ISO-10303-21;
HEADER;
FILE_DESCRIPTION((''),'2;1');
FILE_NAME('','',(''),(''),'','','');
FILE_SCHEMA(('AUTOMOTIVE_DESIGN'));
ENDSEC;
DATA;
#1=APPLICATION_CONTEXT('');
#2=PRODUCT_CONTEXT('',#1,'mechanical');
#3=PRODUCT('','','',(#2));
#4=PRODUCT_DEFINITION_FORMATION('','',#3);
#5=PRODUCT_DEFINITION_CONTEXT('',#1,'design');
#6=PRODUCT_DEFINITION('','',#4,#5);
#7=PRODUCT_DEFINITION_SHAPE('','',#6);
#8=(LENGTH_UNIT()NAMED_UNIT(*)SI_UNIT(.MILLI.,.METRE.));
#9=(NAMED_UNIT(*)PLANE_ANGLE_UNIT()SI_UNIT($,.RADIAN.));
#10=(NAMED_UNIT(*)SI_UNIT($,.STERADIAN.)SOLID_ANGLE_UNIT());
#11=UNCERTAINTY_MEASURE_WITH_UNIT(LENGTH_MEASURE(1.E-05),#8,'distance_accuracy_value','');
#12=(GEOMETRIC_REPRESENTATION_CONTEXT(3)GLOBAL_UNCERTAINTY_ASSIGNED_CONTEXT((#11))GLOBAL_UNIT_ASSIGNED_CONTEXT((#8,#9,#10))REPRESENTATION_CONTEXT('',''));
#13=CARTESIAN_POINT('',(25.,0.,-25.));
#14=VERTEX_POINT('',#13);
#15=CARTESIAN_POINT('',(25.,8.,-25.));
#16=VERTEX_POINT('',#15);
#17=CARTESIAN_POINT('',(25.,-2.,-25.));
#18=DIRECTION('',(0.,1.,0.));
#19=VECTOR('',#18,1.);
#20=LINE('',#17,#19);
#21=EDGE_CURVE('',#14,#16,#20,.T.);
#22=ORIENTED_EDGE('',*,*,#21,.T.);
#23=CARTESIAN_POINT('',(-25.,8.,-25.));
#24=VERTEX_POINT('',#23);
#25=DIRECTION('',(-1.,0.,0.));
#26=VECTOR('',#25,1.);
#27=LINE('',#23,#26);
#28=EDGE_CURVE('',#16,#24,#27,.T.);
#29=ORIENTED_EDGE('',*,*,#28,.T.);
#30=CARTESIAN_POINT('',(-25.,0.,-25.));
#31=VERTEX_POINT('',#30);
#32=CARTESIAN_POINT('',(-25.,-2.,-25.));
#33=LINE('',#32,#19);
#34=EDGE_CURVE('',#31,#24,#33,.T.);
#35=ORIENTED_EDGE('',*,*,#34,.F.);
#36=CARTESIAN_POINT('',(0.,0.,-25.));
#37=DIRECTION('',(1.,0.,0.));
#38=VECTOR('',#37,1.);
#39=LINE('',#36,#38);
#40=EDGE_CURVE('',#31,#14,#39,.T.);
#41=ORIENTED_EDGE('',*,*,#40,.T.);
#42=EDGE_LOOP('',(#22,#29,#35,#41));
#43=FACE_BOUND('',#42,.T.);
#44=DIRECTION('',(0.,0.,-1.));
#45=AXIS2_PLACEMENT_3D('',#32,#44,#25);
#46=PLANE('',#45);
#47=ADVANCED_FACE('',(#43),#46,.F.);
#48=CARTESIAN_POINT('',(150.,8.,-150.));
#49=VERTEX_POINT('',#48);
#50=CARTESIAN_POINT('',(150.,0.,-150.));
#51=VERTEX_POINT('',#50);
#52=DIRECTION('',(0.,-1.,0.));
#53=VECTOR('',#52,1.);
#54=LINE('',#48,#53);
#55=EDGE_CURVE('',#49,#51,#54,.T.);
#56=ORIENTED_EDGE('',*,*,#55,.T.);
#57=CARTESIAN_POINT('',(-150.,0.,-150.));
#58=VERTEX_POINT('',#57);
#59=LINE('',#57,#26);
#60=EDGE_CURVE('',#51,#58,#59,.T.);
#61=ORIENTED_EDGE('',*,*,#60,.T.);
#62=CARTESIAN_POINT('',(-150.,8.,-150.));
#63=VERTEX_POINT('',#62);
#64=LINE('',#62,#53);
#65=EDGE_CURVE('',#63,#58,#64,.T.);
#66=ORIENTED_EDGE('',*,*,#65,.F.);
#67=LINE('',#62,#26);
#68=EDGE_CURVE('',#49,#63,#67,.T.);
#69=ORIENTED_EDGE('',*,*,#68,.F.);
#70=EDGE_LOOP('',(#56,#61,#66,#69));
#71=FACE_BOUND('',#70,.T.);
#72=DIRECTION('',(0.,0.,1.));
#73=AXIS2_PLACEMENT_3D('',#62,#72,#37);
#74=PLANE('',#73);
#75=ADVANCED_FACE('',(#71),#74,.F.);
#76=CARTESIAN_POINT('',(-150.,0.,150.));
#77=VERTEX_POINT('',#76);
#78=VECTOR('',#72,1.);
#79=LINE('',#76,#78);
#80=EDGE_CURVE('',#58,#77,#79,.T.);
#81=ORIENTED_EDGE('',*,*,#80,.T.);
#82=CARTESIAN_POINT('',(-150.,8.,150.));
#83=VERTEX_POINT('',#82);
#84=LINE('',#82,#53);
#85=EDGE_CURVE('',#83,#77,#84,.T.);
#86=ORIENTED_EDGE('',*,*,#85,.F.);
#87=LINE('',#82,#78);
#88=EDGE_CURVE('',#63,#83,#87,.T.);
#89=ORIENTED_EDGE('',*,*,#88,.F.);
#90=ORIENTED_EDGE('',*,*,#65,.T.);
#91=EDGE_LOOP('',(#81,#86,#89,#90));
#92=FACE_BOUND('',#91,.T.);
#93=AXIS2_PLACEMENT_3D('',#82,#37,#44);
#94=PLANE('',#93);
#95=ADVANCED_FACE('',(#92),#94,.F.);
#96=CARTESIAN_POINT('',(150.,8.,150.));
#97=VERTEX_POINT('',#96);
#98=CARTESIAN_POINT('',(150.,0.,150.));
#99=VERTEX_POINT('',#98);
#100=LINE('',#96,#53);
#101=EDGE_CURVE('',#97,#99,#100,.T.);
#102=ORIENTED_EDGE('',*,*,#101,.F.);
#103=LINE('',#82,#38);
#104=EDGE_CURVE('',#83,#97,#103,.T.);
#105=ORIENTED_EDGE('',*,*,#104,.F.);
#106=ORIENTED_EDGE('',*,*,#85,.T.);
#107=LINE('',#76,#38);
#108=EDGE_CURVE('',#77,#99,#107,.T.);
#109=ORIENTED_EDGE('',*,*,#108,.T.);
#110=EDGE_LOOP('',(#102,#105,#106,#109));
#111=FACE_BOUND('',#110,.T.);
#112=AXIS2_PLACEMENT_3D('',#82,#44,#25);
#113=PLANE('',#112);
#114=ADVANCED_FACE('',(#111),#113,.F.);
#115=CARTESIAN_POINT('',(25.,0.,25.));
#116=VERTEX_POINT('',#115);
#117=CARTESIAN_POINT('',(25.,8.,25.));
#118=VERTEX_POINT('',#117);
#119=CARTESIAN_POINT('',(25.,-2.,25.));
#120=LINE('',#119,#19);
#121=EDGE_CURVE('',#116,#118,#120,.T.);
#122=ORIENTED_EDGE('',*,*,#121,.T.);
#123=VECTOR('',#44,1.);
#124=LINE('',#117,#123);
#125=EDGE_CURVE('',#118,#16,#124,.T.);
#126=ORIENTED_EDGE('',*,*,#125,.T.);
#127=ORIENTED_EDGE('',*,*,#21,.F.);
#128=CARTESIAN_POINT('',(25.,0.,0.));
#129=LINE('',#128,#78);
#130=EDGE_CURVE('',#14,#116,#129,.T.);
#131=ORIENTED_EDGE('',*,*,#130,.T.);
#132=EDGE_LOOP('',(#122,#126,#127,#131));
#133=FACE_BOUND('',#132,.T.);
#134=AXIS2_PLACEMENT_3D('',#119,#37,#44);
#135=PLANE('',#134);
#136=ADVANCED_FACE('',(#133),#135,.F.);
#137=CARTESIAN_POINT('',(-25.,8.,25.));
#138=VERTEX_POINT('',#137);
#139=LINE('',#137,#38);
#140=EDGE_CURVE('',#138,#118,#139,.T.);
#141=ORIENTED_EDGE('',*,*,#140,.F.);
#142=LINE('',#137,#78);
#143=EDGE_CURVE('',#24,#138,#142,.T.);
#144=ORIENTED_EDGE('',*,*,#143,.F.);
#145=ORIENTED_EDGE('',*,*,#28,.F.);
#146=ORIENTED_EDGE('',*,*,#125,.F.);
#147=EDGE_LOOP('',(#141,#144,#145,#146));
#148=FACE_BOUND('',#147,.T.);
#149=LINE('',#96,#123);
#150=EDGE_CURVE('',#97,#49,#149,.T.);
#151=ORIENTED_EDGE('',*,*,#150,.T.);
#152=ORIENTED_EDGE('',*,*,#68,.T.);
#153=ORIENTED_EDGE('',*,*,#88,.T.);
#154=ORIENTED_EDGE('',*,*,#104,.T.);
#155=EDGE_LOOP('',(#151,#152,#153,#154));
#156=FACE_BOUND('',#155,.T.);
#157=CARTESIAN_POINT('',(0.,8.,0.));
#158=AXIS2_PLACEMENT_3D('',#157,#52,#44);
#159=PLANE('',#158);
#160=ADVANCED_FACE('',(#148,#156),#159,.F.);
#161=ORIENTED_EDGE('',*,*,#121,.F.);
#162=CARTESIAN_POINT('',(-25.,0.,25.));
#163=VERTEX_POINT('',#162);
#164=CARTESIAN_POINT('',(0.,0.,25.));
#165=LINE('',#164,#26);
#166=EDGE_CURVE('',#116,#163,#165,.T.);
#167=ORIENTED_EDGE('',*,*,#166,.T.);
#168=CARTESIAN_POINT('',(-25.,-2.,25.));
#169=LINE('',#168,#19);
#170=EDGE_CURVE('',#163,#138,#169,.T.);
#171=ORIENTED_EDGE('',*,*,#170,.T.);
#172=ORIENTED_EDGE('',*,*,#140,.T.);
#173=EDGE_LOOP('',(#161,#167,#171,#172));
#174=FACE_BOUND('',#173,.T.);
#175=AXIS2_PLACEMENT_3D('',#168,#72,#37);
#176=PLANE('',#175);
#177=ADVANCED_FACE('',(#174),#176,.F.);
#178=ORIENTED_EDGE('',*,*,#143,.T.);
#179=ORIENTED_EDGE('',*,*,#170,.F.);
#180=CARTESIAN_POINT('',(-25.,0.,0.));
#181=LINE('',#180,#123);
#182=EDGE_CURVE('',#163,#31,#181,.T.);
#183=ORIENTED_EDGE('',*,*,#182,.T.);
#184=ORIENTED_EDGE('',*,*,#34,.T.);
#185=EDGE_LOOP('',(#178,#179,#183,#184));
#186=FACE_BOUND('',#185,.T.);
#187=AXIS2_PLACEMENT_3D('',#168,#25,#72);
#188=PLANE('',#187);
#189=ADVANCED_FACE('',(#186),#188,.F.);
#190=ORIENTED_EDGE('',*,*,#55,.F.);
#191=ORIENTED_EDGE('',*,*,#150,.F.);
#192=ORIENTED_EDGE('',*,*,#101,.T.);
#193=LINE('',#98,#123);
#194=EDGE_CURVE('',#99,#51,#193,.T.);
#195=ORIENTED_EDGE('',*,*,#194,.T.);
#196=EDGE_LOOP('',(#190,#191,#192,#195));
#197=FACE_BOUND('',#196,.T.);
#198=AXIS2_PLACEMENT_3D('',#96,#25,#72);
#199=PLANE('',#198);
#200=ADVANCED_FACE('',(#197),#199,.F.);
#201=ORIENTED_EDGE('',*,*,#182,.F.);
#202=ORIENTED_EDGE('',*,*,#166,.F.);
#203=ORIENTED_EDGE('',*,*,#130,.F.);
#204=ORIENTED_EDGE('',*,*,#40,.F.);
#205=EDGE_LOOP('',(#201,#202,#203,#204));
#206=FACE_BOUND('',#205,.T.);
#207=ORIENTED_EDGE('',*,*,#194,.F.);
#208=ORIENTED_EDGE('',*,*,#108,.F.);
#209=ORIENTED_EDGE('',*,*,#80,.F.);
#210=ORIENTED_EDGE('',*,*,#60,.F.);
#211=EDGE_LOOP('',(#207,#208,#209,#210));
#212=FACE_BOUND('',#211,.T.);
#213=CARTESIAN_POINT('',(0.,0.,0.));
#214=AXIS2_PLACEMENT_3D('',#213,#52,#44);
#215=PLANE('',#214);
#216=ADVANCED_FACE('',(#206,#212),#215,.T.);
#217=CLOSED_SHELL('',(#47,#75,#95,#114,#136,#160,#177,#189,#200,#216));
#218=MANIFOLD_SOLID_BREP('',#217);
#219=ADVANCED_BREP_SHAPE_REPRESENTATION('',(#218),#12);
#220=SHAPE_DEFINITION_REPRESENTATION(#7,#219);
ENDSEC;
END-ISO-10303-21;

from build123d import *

# Parameters (mm, degrees)
SKETCH1_W           = 300
SKETCH1_H           = 300
BOSS_EXTRUDE1_DEPTH = 8
SKETCH2_W           = 50
SKETCH2_H           = 50
CUT_EXTRUDE1_DEPTH  = 10


with BuildPart() as part:
    # Sketch1 → Boss-Extrude1 (new body)
    with BuildSketch(Plane(origin=(0, 0, 0), x_dir=(1, 0, 0), z_dir=(0, 1, 0))):
        Rectangle(SKETCH1_W, SKETCH1_H)
    extrude(amount=BOSS_EXTRUDE1_DEPTH)

    # Sketch2 → Cut-Extrude1 (cut)
    with BuildSketch(Plane(origin=(0, 8, 0), x_dir=(1, 0, 0), z_dir=(0, 1, 0))):
        Rectangle(SKETCH2_W, SKETCH2_H)
    extrude(amount=-CUT_EXTRUDE1_DEPTH, mode=Mode.SUBTRACT)


solid = part.part
